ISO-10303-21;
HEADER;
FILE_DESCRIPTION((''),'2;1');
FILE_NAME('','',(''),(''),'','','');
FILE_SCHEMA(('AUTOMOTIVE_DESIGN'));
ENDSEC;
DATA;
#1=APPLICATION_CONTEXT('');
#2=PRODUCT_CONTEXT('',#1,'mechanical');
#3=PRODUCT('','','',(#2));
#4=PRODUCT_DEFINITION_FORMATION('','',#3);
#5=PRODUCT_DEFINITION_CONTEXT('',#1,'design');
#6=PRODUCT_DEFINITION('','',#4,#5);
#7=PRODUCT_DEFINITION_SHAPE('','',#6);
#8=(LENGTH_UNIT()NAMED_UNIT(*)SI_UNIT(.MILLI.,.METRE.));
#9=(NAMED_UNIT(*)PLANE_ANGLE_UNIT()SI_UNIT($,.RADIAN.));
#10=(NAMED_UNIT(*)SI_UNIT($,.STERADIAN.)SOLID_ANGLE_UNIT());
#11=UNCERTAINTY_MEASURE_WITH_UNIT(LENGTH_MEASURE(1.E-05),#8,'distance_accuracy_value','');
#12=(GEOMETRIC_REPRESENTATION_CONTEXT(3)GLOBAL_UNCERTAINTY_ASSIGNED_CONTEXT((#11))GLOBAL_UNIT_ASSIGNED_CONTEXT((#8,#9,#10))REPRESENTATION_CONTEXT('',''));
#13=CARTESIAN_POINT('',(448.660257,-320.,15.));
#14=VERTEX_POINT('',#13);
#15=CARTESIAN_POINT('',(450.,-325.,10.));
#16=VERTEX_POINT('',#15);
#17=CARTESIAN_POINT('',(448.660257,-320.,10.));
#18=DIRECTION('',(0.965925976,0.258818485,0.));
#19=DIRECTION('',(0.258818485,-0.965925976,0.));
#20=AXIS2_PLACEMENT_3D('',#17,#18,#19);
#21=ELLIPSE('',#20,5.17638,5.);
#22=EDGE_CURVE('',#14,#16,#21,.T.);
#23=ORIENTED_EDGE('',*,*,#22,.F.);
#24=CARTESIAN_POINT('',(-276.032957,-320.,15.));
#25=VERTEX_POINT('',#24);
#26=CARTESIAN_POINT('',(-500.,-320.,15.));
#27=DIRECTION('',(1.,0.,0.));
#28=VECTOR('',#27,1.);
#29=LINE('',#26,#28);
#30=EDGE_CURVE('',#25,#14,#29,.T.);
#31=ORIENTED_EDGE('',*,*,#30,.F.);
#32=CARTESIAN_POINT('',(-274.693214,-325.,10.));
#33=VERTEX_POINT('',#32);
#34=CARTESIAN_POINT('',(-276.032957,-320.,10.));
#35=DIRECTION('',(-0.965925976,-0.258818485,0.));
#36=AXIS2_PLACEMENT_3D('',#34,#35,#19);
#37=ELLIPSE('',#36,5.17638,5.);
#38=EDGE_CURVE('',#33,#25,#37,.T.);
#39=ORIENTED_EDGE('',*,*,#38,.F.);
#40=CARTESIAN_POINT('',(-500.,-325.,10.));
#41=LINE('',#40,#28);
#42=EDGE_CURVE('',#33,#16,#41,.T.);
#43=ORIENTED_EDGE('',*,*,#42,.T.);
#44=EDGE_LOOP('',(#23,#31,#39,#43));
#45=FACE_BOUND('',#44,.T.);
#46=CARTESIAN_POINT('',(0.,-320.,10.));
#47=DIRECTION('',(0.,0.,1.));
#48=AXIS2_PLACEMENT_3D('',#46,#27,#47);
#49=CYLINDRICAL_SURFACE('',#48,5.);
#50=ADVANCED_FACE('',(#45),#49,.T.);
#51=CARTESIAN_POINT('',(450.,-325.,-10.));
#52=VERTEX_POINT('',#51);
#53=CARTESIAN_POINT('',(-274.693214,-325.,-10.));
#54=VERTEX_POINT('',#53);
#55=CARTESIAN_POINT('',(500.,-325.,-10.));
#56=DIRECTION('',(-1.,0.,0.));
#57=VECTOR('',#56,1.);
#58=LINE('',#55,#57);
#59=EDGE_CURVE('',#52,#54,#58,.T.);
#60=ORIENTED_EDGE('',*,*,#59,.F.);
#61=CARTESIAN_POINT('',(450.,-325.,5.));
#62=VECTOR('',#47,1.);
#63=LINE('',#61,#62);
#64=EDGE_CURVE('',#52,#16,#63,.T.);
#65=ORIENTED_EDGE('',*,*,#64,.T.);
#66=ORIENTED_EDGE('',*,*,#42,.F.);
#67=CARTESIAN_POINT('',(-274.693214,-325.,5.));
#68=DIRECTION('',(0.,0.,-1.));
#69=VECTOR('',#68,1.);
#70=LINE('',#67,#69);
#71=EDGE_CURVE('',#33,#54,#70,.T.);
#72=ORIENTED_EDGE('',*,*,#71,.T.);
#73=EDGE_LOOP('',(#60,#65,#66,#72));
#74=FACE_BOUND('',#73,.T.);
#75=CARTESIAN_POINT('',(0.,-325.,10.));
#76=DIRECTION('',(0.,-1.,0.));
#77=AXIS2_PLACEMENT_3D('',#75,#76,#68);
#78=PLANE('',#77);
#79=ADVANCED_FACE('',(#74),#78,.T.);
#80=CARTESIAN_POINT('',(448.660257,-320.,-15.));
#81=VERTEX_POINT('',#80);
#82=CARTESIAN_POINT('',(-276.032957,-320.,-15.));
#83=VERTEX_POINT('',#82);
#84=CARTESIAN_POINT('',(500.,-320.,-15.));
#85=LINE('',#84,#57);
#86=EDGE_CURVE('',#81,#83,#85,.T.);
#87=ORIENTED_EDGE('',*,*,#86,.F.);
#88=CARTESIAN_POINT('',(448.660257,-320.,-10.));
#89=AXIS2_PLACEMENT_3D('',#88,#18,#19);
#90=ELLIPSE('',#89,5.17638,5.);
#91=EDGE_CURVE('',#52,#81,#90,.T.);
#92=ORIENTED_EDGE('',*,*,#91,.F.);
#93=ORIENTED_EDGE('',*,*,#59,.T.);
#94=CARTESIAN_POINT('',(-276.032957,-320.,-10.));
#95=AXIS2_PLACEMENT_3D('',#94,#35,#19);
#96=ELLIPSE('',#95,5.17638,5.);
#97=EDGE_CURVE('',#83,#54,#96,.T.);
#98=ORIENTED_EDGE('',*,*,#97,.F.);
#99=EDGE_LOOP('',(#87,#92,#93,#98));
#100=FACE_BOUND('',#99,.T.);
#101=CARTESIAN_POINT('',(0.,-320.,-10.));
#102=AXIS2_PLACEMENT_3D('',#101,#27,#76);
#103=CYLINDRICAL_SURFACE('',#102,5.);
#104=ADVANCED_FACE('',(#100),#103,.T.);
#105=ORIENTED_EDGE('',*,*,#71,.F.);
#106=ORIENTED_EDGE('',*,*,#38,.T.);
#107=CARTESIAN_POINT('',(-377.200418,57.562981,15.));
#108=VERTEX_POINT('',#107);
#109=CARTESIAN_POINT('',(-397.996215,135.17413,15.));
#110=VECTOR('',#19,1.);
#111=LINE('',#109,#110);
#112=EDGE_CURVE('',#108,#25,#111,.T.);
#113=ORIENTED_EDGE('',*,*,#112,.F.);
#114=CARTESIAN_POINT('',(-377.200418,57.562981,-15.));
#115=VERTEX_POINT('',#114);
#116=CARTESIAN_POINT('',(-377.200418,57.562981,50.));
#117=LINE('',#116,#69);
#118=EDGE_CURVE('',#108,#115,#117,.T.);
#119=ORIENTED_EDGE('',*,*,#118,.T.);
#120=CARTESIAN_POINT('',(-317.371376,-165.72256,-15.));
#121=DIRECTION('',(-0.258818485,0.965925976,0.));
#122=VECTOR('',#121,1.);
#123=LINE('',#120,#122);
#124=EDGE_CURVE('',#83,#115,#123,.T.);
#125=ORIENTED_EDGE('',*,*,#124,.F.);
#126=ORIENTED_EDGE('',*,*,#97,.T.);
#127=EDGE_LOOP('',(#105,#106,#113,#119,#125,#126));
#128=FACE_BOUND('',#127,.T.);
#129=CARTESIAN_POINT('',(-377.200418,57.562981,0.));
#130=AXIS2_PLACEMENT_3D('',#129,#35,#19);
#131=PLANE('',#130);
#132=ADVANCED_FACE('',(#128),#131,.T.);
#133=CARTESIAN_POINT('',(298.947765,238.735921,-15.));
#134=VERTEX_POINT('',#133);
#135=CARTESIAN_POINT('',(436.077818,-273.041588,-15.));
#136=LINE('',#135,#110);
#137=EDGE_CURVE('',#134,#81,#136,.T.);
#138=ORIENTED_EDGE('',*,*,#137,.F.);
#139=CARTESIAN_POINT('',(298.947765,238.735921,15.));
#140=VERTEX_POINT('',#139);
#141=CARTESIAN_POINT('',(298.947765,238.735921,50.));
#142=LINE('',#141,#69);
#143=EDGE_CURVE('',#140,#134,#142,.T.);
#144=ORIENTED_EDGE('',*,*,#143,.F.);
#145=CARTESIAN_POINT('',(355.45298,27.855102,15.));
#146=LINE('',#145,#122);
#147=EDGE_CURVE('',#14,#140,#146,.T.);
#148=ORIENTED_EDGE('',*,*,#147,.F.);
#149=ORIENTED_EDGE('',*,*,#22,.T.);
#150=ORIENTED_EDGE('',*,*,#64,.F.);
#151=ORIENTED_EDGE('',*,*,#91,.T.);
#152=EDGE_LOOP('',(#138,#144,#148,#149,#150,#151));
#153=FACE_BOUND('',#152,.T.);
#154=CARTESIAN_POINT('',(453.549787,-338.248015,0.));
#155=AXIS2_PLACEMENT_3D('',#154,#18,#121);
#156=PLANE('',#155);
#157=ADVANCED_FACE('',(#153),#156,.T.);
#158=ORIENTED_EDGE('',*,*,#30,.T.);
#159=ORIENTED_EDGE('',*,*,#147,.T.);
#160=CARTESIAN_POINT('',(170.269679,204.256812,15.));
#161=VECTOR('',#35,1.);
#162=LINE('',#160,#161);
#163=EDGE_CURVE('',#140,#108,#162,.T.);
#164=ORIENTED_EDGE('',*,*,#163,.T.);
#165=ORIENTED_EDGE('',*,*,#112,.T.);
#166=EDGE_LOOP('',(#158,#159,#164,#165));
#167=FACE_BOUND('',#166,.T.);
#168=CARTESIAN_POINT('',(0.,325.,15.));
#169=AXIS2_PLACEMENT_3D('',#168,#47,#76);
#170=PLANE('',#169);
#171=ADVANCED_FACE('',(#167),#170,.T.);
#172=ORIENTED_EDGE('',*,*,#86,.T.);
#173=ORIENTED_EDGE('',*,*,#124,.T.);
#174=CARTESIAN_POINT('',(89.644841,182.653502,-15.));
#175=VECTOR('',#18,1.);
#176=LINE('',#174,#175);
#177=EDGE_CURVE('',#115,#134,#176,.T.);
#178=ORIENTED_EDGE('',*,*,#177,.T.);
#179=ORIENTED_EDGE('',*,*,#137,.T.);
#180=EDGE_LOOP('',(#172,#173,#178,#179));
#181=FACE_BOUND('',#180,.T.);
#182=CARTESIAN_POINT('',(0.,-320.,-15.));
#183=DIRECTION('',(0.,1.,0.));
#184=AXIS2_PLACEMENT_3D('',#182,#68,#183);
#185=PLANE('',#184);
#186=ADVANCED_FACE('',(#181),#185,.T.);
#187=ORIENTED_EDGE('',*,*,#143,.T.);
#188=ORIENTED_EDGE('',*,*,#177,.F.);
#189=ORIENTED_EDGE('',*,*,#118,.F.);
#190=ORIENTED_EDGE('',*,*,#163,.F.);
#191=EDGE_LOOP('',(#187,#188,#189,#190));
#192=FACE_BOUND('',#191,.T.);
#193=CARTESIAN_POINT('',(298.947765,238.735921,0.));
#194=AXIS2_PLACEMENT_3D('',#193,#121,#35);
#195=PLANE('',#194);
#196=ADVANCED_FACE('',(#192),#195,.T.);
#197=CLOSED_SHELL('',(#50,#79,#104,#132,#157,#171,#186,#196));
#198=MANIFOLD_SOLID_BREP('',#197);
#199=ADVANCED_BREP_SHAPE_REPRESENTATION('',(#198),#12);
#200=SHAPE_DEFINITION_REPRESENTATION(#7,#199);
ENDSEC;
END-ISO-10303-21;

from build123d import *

# Parameters (mm, degrees)
F2_DEPTH = 500
F3_DEPTH = 50


with BuildPart() as f2:
    # F0 (on Right) → F2 (new body, symmetric)
    with BuildSketch(Plane.YZ):
        with BuildLine():
            Line((325, -15), (325, 15))
            Line((325, 15), (-320, 15))
            ThreePointArc((-320, 15), (-323.5355339059, 13.5355339059), (-325, 10))
            Line((-325, 10), (-325, -10))
            ThreePointArc((-325, -10), (-323.5355339059, -13.5355339059), (-320, -15))
            Line((-320, -15), (325, -15))
        make_face()
    extrude(amount=F2_DEPTH, both=True)

    # F1 (on Top) → F3 (intersect, symmetric)
    with BuildSketch(Plane.XY):
        Polygon((-377.2004181072, 57.5629813311), (-222.5983966751, -519.420954832), (453.5497866996, -338.2480150228), (298.9477652675, 238.7359211403), align=None)
    extrude(amount=F3_DEPTH, both=True, mode=Mode.INTERSECT)


solid = f2.part
